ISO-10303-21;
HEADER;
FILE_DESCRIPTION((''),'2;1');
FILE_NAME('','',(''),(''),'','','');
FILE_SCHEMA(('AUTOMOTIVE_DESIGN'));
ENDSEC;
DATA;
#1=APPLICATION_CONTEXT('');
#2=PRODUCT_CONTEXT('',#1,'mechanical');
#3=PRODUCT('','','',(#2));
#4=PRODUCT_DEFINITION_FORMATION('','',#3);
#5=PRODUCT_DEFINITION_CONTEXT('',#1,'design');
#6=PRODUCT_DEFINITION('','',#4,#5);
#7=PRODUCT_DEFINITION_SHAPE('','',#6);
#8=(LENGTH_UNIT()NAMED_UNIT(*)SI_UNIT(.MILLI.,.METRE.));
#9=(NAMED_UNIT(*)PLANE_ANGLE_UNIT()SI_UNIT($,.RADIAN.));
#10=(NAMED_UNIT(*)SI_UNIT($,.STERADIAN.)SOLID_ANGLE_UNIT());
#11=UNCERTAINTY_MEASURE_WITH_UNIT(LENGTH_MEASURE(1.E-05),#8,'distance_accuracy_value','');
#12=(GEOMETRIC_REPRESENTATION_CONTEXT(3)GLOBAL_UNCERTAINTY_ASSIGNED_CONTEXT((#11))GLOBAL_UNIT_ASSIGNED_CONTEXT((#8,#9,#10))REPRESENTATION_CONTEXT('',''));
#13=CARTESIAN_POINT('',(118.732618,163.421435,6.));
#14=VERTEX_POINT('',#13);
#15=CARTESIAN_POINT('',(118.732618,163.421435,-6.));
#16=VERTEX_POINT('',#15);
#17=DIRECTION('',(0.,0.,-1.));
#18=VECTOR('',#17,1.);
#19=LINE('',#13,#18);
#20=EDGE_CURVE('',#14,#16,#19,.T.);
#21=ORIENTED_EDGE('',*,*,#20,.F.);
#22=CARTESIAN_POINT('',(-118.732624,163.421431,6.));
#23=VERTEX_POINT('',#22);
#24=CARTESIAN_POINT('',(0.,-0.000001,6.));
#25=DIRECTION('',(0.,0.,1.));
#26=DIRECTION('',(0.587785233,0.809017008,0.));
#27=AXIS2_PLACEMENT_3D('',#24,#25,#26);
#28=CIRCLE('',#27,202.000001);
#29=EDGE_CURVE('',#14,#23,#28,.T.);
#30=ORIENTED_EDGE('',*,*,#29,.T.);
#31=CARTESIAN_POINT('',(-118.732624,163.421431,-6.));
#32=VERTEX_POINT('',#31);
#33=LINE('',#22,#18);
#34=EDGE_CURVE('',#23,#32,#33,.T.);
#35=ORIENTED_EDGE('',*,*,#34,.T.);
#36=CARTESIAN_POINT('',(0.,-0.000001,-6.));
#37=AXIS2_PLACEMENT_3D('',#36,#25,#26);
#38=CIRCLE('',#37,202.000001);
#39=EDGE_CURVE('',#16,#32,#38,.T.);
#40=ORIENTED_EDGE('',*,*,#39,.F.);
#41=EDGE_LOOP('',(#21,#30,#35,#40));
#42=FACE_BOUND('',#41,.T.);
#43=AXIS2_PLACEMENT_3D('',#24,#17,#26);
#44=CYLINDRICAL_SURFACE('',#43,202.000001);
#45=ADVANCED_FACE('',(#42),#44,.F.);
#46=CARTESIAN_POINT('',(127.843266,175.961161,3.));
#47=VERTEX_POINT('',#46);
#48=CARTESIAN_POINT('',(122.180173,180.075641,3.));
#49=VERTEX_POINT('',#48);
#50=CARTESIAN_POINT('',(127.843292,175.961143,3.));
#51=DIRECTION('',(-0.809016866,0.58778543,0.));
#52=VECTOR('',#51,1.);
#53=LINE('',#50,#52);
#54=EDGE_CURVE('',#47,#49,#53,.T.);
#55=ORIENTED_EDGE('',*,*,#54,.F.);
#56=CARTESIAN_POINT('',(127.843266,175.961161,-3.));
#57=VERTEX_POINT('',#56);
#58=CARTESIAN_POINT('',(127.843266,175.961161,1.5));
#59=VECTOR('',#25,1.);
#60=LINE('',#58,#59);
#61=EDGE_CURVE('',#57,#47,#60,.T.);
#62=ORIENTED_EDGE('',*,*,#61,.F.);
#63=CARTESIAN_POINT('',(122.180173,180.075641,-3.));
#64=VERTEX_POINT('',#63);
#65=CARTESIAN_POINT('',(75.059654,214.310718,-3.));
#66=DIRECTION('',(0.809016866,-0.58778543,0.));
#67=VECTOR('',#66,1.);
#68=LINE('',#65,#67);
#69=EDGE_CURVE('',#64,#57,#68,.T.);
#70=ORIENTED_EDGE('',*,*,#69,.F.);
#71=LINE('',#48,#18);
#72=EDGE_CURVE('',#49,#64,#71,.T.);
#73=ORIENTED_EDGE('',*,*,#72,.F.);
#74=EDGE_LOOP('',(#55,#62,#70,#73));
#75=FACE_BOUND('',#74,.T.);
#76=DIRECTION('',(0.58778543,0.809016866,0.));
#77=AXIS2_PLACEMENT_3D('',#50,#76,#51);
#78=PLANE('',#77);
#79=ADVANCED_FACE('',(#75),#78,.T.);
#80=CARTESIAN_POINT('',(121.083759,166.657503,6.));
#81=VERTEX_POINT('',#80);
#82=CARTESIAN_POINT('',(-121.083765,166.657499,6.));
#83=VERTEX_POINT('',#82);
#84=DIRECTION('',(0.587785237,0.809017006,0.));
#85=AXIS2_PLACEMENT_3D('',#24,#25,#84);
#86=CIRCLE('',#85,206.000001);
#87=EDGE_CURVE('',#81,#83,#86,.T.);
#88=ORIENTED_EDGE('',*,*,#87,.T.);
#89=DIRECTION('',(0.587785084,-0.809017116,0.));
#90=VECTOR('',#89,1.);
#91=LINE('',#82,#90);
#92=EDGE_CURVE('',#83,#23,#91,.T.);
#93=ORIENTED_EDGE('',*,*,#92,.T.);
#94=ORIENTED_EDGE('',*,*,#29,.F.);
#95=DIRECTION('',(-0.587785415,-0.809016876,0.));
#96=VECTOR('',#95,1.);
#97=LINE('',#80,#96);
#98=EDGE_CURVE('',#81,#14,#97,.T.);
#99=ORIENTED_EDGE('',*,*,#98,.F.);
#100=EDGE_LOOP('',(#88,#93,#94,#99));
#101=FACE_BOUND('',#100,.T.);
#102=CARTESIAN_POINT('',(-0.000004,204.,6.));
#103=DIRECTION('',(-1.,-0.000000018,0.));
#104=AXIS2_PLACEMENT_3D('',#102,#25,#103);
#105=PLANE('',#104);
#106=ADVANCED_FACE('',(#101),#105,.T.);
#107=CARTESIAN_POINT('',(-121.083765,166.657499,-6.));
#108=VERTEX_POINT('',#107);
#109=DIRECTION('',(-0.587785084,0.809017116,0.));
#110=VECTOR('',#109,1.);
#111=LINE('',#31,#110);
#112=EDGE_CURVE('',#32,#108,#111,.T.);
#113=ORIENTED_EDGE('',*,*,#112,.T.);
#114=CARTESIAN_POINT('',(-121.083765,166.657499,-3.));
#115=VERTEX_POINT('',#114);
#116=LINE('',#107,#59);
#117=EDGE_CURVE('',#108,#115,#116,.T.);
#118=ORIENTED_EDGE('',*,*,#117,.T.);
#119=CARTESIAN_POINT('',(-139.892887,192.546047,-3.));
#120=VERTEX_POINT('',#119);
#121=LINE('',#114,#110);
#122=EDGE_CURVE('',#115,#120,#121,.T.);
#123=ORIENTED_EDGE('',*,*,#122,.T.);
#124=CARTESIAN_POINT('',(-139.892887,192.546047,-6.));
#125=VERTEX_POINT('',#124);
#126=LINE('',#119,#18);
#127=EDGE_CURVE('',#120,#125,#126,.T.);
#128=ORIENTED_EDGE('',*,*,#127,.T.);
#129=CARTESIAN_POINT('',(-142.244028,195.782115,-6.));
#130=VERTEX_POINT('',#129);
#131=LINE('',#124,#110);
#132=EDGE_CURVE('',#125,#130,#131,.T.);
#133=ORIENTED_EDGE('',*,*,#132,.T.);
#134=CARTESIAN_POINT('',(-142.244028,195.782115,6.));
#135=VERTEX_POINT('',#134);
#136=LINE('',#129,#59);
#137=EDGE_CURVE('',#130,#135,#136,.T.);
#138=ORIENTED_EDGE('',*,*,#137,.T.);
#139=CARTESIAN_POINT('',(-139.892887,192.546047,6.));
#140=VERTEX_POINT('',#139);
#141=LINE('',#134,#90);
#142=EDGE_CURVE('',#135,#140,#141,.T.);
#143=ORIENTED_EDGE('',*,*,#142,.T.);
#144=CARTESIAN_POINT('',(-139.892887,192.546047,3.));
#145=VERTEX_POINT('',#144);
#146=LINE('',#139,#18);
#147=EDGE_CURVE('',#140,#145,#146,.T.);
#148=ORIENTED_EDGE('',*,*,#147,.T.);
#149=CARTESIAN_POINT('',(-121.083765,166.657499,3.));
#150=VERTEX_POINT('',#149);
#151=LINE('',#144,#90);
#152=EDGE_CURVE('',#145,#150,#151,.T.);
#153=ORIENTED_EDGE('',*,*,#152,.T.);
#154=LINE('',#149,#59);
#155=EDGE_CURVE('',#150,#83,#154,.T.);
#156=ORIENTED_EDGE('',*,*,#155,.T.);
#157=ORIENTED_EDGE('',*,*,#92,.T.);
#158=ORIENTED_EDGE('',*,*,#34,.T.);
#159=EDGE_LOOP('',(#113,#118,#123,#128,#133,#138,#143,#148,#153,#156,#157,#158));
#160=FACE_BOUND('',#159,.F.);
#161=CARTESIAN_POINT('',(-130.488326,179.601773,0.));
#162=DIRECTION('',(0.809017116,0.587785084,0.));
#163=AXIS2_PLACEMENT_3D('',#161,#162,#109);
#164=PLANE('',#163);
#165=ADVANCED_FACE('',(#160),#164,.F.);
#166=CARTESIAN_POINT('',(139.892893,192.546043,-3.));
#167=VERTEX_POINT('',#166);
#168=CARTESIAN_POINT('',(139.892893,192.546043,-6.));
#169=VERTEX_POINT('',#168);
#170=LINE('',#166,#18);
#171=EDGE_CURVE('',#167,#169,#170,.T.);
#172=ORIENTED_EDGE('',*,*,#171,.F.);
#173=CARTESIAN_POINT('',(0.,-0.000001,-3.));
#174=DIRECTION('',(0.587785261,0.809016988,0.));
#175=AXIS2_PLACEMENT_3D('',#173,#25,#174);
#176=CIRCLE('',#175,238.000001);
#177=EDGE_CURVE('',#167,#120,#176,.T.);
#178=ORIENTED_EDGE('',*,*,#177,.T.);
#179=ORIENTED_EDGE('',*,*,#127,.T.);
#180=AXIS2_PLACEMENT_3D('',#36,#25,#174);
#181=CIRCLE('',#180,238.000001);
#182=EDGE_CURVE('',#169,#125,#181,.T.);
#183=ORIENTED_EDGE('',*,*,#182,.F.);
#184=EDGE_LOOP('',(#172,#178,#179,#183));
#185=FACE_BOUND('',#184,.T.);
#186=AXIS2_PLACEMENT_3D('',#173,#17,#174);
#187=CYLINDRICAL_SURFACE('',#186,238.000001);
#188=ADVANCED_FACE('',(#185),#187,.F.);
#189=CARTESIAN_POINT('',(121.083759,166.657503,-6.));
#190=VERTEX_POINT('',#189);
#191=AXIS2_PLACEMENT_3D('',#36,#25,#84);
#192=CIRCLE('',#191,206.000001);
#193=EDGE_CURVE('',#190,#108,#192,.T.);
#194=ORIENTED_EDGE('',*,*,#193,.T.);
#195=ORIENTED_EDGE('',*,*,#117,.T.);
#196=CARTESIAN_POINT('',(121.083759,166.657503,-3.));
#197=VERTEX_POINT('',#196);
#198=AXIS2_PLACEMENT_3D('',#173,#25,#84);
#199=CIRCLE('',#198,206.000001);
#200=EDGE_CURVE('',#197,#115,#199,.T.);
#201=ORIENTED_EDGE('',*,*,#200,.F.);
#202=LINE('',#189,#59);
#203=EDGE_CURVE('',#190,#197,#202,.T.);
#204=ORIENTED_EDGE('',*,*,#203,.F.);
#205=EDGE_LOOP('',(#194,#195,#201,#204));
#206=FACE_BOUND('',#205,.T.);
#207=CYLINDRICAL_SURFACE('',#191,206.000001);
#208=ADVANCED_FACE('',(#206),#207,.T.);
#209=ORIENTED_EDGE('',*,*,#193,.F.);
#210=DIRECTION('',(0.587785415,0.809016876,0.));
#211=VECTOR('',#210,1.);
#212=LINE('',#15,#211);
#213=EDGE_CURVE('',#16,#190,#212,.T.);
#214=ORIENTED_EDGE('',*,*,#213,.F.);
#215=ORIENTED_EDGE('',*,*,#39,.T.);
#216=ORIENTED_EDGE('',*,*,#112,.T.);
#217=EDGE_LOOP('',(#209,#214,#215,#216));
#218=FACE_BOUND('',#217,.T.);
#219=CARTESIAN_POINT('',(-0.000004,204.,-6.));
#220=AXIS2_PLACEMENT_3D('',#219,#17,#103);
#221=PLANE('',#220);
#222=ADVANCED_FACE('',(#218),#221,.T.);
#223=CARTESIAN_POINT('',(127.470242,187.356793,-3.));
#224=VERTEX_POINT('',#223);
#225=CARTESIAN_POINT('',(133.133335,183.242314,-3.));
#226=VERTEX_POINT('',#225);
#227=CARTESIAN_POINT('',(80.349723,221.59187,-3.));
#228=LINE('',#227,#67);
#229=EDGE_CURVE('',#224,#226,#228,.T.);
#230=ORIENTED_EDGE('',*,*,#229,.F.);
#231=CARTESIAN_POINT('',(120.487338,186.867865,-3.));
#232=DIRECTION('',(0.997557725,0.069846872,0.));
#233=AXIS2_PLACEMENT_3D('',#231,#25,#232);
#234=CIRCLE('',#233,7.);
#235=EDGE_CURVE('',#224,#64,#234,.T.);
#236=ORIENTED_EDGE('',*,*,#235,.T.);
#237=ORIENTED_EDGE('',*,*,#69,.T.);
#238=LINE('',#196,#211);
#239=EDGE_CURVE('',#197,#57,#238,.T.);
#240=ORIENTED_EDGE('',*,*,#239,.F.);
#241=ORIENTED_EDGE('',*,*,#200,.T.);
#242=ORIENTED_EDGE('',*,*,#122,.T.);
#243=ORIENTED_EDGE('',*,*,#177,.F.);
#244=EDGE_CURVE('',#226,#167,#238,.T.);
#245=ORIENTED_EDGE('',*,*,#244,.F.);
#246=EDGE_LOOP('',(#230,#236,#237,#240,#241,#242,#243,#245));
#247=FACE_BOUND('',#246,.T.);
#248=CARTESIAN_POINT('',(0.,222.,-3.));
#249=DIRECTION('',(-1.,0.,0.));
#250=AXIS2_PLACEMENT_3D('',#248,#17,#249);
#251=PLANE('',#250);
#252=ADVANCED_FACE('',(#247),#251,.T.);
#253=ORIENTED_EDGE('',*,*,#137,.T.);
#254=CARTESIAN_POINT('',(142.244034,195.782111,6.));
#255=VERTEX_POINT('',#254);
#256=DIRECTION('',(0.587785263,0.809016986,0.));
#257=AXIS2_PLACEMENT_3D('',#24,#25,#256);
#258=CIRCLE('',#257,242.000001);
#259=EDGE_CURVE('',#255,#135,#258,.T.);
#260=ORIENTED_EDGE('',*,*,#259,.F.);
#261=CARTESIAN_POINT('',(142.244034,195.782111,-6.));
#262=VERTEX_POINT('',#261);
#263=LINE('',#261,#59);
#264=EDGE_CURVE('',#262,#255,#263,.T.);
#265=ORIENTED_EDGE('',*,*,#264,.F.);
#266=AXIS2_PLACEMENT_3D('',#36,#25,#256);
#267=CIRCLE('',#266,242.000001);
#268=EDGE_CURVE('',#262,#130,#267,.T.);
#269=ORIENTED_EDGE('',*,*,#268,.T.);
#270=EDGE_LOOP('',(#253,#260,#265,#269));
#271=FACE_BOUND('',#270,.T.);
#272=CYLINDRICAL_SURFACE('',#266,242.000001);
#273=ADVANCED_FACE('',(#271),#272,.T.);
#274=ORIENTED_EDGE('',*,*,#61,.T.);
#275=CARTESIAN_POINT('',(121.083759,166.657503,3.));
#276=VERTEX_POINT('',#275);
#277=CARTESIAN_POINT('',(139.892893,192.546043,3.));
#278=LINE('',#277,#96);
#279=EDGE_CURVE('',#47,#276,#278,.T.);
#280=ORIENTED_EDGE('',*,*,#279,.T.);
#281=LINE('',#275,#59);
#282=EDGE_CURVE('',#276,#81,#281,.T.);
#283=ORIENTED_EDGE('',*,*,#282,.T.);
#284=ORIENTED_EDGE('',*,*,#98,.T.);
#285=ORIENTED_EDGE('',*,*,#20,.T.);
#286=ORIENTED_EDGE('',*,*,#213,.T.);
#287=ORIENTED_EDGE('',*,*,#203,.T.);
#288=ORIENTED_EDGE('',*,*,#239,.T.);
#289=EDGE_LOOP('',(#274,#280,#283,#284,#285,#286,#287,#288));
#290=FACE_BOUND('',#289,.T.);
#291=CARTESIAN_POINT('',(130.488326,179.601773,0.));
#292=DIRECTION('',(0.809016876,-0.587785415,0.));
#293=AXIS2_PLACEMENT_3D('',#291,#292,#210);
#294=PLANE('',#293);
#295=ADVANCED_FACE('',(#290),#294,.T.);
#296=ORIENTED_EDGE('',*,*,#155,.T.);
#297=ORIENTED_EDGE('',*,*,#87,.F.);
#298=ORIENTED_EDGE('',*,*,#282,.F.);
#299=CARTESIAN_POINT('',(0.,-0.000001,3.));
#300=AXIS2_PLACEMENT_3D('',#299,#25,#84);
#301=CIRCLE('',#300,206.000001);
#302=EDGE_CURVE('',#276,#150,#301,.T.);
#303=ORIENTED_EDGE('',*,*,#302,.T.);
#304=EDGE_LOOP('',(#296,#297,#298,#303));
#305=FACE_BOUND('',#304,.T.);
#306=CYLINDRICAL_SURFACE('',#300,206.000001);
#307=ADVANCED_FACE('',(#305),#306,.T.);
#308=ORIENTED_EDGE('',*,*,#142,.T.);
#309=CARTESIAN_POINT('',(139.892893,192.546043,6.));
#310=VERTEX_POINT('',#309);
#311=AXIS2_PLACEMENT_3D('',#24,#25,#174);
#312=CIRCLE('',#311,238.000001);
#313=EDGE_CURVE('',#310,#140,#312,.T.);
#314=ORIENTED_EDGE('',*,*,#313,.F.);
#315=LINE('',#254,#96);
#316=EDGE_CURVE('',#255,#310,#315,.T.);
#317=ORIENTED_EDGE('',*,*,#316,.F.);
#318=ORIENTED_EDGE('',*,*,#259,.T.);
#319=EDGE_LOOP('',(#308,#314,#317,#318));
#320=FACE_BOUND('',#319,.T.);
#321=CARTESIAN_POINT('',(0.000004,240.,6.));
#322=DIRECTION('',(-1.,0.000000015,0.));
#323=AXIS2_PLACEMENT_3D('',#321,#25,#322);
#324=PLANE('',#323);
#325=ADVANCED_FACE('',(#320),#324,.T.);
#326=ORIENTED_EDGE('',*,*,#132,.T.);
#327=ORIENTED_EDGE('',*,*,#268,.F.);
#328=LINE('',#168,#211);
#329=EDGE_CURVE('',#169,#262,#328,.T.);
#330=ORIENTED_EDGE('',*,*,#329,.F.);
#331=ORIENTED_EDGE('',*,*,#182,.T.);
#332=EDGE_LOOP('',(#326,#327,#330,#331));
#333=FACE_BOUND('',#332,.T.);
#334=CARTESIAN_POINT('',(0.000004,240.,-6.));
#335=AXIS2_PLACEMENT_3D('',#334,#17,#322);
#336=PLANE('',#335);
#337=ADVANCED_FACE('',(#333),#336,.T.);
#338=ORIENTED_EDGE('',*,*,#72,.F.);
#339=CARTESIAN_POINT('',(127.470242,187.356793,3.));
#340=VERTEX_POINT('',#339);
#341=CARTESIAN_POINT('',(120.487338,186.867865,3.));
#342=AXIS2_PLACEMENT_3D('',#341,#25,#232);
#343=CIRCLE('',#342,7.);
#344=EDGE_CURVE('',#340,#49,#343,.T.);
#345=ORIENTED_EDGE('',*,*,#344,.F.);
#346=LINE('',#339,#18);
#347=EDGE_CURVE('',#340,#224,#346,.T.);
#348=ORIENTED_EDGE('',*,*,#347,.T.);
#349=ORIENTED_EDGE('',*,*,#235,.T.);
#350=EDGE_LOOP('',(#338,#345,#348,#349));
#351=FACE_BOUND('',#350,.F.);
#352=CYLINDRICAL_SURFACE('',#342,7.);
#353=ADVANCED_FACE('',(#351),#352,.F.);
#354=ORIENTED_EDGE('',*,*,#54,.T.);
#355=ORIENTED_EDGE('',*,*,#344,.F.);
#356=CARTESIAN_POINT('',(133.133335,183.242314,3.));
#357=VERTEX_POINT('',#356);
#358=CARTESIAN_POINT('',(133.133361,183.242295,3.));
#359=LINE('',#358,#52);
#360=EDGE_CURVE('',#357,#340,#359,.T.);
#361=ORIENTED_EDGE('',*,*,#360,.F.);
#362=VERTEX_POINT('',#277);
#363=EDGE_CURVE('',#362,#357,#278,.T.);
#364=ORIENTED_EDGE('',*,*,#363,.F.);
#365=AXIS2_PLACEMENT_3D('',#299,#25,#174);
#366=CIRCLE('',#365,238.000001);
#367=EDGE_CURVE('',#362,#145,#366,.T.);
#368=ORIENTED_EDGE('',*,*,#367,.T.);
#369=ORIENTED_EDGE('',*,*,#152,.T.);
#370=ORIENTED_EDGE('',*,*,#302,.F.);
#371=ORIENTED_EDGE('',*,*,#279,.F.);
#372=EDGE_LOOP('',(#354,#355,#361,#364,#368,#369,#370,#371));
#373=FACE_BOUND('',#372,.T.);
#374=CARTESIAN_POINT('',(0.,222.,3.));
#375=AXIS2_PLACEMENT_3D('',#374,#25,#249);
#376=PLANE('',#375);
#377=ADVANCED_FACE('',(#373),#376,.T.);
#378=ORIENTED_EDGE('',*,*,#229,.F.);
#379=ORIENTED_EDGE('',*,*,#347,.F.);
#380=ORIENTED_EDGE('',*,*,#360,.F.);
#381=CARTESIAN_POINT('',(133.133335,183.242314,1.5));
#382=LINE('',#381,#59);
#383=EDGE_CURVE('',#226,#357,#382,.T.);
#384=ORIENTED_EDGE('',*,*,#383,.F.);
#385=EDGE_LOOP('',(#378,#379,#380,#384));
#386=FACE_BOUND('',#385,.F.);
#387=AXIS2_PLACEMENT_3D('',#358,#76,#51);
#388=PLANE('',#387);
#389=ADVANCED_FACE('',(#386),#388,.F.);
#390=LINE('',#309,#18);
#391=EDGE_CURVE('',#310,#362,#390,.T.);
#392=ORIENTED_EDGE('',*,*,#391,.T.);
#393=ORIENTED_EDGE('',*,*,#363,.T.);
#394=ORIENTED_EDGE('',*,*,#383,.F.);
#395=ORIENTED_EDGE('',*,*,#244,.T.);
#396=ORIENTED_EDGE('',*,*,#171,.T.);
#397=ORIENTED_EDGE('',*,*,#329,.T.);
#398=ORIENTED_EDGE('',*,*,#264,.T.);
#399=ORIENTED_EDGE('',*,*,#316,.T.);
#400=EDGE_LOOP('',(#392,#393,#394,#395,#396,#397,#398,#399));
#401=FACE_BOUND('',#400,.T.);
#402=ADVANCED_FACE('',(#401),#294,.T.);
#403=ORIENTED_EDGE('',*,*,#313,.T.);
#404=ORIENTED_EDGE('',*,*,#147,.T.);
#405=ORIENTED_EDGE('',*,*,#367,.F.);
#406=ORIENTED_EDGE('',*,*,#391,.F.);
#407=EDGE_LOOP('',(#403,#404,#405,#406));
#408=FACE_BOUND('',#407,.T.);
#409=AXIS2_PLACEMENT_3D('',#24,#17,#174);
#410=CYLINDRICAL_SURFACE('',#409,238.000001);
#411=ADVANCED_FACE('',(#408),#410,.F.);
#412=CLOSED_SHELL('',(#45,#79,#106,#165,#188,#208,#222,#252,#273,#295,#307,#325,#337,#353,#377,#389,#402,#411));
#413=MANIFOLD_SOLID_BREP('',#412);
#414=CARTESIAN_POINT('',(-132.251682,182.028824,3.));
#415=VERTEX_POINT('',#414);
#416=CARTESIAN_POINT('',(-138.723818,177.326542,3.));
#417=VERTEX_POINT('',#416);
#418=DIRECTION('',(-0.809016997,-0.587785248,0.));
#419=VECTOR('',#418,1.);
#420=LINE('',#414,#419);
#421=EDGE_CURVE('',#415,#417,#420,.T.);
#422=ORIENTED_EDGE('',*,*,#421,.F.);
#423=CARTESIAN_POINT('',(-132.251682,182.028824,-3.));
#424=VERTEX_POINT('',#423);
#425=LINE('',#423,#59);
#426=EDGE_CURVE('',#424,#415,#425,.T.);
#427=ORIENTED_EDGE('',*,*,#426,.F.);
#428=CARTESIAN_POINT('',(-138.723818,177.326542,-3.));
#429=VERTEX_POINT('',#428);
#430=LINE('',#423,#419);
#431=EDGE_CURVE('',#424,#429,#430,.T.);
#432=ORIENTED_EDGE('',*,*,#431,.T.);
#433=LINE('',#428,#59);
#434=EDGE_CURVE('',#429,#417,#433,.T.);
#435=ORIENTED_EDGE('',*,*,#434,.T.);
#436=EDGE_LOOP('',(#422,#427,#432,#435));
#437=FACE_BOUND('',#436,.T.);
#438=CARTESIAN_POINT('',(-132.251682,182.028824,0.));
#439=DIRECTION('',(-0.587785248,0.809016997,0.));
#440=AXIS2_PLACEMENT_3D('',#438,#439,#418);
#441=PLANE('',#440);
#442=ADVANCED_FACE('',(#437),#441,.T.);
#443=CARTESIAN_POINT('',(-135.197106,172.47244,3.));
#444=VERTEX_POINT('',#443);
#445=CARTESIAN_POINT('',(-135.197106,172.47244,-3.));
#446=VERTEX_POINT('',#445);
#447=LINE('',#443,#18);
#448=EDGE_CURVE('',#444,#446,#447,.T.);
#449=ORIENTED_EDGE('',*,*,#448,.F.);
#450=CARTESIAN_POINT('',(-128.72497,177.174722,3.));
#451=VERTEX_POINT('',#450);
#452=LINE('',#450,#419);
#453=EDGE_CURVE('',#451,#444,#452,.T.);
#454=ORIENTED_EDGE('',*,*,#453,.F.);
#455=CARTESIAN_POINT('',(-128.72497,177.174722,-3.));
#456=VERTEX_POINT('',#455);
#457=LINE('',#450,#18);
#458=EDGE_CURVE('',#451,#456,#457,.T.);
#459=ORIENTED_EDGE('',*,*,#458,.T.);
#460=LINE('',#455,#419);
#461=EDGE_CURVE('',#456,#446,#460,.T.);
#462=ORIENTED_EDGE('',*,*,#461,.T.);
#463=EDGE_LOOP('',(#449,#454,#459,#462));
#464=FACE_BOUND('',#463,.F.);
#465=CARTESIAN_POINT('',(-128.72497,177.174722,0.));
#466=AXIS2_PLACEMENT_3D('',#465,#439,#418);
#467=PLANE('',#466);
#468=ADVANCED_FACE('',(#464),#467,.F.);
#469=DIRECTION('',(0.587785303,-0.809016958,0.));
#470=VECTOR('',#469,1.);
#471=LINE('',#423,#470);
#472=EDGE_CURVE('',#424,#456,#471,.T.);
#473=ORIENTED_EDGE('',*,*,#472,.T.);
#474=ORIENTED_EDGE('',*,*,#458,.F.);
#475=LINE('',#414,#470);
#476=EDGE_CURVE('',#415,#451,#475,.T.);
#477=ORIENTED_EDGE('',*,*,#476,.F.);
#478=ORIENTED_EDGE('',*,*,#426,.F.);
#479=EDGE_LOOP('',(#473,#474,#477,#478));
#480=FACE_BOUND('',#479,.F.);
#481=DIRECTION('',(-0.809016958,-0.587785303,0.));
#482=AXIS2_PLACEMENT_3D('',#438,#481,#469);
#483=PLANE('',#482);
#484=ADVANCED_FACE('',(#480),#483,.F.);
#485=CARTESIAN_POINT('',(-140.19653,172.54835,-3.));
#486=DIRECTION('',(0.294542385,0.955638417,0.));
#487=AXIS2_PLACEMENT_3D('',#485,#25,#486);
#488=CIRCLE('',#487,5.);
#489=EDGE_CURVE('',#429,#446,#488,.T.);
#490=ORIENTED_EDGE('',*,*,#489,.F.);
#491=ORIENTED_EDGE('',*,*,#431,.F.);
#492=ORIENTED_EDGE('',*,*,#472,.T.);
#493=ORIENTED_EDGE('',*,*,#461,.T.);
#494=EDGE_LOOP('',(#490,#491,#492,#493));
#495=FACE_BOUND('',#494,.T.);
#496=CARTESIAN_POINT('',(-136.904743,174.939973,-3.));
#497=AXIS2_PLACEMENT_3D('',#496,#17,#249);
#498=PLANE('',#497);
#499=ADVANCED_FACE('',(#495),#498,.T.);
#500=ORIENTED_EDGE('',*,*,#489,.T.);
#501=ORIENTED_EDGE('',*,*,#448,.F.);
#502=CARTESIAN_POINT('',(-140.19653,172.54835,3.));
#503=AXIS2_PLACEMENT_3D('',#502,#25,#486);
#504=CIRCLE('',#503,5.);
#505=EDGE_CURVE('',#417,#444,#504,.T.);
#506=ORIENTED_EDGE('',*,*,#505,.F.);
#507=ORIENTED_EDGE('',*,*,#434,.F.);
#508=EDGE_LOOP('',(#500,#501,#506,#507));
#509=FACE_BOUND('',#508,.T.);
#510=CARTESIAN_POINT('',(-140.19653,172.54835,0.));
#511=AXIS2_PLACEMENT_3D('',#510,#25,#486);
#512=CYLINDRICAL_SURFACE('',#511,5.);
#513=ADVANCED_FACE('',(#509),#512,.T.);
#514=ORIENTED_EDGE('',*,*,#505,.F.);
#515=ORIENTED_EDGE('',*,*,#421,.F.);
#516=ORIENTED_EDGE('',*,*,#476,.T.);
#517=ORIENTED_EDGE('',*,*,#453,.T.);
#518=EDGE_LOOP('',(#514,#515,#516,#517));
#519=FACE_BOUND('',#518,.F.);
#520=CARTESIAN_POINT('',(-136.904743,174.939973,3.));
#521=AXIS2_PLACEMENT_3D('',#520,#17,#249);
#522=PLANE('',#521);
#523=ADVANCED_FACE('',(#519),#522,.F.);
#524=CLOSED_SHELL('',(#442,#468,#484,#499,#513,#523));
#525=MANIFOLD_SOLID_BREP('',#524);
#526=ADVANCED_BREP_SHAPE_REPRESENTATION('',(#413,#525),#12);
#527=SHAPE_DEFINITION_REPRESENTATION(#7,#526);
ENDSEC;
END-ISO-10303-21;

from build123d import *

# Parameters (mm, degrees)
POCKET_DEPTH = 9.001
PAD_DEPTH    = 3


with BuildPart() as body:
    # AdditivePipe: sweep along a path in Sketch
    with BuildLine(Plane.XY) as additivepipe_path:
        ThreePointArc((130.488326, 179.601773), (0, 222), (-130.488326, 179.601773))
    # Sketch002 (on DatumPlane) → AdditivePipe (sweep)
    with BuildSketch(Plane(origin=(-130.488326, 179.601773, 0), x_dir=(-0.587785, 0.809017, 0), z_dir=(0.809017, 0.587785, 0))):
        Polygon((-20, 6), (-20, -6), (-16, -6), (-16, -3), (-9, -3), (9, -3), (16, -3), (16, -6), (20, -6), (20, 6), (16, 6), (16, 3), (9, 3), (-9, 3), (-16, 3), (-16, 6), align=None)
    sweep(path=additivepipe_path.line)

    # Sketch004 (on Face18 of AdditivePipe) → Pocket (cut, through all)
    with BuildSketch(Plane(origin=(-130.488326, 179.601773, 3), x_dir=(0.587785, -0.809017, 0), z_dir=(0, 0, 1))):
        with BuildLine():
            Line((152.007651, 215.414301), (154.788804, 206.854792))
            Line((154.788804, 206.854792), (148.131408, 204.691673))
            ThreePointArc((145.350255, 213.251182), (134.983964, 205.15139), (148.131408, 204.691673))
            Line((152.007651, 215.414301), (145.350255, 213.251182))
        make_face()
    extrude(amount=-POCKET_DEPTH, mode=Mode.SUBTRACT)


with BuildPart() as body001:
    # Sketch005 → Pad (new body, symmetric)
    with BuildSketch(Plane.XY):
        with BuildLine():
            Line((-132.251682, 182.028824), (-128.72497, 177.174722))
            Line((-128.72497, 177.174722), (-135.197106, 172.47244))
            ThreePointArc((-138.723818, 177.326542), (-144.241615, 169.609423), (-135.197106, 172.47244))
            Line((-132.251682, 182.028824), (-138.723818, 177.326542))
        make_face()
    extrude(amount=PAD_DEPTH, both=True)


solid = Compound([body.part, body001.part])
